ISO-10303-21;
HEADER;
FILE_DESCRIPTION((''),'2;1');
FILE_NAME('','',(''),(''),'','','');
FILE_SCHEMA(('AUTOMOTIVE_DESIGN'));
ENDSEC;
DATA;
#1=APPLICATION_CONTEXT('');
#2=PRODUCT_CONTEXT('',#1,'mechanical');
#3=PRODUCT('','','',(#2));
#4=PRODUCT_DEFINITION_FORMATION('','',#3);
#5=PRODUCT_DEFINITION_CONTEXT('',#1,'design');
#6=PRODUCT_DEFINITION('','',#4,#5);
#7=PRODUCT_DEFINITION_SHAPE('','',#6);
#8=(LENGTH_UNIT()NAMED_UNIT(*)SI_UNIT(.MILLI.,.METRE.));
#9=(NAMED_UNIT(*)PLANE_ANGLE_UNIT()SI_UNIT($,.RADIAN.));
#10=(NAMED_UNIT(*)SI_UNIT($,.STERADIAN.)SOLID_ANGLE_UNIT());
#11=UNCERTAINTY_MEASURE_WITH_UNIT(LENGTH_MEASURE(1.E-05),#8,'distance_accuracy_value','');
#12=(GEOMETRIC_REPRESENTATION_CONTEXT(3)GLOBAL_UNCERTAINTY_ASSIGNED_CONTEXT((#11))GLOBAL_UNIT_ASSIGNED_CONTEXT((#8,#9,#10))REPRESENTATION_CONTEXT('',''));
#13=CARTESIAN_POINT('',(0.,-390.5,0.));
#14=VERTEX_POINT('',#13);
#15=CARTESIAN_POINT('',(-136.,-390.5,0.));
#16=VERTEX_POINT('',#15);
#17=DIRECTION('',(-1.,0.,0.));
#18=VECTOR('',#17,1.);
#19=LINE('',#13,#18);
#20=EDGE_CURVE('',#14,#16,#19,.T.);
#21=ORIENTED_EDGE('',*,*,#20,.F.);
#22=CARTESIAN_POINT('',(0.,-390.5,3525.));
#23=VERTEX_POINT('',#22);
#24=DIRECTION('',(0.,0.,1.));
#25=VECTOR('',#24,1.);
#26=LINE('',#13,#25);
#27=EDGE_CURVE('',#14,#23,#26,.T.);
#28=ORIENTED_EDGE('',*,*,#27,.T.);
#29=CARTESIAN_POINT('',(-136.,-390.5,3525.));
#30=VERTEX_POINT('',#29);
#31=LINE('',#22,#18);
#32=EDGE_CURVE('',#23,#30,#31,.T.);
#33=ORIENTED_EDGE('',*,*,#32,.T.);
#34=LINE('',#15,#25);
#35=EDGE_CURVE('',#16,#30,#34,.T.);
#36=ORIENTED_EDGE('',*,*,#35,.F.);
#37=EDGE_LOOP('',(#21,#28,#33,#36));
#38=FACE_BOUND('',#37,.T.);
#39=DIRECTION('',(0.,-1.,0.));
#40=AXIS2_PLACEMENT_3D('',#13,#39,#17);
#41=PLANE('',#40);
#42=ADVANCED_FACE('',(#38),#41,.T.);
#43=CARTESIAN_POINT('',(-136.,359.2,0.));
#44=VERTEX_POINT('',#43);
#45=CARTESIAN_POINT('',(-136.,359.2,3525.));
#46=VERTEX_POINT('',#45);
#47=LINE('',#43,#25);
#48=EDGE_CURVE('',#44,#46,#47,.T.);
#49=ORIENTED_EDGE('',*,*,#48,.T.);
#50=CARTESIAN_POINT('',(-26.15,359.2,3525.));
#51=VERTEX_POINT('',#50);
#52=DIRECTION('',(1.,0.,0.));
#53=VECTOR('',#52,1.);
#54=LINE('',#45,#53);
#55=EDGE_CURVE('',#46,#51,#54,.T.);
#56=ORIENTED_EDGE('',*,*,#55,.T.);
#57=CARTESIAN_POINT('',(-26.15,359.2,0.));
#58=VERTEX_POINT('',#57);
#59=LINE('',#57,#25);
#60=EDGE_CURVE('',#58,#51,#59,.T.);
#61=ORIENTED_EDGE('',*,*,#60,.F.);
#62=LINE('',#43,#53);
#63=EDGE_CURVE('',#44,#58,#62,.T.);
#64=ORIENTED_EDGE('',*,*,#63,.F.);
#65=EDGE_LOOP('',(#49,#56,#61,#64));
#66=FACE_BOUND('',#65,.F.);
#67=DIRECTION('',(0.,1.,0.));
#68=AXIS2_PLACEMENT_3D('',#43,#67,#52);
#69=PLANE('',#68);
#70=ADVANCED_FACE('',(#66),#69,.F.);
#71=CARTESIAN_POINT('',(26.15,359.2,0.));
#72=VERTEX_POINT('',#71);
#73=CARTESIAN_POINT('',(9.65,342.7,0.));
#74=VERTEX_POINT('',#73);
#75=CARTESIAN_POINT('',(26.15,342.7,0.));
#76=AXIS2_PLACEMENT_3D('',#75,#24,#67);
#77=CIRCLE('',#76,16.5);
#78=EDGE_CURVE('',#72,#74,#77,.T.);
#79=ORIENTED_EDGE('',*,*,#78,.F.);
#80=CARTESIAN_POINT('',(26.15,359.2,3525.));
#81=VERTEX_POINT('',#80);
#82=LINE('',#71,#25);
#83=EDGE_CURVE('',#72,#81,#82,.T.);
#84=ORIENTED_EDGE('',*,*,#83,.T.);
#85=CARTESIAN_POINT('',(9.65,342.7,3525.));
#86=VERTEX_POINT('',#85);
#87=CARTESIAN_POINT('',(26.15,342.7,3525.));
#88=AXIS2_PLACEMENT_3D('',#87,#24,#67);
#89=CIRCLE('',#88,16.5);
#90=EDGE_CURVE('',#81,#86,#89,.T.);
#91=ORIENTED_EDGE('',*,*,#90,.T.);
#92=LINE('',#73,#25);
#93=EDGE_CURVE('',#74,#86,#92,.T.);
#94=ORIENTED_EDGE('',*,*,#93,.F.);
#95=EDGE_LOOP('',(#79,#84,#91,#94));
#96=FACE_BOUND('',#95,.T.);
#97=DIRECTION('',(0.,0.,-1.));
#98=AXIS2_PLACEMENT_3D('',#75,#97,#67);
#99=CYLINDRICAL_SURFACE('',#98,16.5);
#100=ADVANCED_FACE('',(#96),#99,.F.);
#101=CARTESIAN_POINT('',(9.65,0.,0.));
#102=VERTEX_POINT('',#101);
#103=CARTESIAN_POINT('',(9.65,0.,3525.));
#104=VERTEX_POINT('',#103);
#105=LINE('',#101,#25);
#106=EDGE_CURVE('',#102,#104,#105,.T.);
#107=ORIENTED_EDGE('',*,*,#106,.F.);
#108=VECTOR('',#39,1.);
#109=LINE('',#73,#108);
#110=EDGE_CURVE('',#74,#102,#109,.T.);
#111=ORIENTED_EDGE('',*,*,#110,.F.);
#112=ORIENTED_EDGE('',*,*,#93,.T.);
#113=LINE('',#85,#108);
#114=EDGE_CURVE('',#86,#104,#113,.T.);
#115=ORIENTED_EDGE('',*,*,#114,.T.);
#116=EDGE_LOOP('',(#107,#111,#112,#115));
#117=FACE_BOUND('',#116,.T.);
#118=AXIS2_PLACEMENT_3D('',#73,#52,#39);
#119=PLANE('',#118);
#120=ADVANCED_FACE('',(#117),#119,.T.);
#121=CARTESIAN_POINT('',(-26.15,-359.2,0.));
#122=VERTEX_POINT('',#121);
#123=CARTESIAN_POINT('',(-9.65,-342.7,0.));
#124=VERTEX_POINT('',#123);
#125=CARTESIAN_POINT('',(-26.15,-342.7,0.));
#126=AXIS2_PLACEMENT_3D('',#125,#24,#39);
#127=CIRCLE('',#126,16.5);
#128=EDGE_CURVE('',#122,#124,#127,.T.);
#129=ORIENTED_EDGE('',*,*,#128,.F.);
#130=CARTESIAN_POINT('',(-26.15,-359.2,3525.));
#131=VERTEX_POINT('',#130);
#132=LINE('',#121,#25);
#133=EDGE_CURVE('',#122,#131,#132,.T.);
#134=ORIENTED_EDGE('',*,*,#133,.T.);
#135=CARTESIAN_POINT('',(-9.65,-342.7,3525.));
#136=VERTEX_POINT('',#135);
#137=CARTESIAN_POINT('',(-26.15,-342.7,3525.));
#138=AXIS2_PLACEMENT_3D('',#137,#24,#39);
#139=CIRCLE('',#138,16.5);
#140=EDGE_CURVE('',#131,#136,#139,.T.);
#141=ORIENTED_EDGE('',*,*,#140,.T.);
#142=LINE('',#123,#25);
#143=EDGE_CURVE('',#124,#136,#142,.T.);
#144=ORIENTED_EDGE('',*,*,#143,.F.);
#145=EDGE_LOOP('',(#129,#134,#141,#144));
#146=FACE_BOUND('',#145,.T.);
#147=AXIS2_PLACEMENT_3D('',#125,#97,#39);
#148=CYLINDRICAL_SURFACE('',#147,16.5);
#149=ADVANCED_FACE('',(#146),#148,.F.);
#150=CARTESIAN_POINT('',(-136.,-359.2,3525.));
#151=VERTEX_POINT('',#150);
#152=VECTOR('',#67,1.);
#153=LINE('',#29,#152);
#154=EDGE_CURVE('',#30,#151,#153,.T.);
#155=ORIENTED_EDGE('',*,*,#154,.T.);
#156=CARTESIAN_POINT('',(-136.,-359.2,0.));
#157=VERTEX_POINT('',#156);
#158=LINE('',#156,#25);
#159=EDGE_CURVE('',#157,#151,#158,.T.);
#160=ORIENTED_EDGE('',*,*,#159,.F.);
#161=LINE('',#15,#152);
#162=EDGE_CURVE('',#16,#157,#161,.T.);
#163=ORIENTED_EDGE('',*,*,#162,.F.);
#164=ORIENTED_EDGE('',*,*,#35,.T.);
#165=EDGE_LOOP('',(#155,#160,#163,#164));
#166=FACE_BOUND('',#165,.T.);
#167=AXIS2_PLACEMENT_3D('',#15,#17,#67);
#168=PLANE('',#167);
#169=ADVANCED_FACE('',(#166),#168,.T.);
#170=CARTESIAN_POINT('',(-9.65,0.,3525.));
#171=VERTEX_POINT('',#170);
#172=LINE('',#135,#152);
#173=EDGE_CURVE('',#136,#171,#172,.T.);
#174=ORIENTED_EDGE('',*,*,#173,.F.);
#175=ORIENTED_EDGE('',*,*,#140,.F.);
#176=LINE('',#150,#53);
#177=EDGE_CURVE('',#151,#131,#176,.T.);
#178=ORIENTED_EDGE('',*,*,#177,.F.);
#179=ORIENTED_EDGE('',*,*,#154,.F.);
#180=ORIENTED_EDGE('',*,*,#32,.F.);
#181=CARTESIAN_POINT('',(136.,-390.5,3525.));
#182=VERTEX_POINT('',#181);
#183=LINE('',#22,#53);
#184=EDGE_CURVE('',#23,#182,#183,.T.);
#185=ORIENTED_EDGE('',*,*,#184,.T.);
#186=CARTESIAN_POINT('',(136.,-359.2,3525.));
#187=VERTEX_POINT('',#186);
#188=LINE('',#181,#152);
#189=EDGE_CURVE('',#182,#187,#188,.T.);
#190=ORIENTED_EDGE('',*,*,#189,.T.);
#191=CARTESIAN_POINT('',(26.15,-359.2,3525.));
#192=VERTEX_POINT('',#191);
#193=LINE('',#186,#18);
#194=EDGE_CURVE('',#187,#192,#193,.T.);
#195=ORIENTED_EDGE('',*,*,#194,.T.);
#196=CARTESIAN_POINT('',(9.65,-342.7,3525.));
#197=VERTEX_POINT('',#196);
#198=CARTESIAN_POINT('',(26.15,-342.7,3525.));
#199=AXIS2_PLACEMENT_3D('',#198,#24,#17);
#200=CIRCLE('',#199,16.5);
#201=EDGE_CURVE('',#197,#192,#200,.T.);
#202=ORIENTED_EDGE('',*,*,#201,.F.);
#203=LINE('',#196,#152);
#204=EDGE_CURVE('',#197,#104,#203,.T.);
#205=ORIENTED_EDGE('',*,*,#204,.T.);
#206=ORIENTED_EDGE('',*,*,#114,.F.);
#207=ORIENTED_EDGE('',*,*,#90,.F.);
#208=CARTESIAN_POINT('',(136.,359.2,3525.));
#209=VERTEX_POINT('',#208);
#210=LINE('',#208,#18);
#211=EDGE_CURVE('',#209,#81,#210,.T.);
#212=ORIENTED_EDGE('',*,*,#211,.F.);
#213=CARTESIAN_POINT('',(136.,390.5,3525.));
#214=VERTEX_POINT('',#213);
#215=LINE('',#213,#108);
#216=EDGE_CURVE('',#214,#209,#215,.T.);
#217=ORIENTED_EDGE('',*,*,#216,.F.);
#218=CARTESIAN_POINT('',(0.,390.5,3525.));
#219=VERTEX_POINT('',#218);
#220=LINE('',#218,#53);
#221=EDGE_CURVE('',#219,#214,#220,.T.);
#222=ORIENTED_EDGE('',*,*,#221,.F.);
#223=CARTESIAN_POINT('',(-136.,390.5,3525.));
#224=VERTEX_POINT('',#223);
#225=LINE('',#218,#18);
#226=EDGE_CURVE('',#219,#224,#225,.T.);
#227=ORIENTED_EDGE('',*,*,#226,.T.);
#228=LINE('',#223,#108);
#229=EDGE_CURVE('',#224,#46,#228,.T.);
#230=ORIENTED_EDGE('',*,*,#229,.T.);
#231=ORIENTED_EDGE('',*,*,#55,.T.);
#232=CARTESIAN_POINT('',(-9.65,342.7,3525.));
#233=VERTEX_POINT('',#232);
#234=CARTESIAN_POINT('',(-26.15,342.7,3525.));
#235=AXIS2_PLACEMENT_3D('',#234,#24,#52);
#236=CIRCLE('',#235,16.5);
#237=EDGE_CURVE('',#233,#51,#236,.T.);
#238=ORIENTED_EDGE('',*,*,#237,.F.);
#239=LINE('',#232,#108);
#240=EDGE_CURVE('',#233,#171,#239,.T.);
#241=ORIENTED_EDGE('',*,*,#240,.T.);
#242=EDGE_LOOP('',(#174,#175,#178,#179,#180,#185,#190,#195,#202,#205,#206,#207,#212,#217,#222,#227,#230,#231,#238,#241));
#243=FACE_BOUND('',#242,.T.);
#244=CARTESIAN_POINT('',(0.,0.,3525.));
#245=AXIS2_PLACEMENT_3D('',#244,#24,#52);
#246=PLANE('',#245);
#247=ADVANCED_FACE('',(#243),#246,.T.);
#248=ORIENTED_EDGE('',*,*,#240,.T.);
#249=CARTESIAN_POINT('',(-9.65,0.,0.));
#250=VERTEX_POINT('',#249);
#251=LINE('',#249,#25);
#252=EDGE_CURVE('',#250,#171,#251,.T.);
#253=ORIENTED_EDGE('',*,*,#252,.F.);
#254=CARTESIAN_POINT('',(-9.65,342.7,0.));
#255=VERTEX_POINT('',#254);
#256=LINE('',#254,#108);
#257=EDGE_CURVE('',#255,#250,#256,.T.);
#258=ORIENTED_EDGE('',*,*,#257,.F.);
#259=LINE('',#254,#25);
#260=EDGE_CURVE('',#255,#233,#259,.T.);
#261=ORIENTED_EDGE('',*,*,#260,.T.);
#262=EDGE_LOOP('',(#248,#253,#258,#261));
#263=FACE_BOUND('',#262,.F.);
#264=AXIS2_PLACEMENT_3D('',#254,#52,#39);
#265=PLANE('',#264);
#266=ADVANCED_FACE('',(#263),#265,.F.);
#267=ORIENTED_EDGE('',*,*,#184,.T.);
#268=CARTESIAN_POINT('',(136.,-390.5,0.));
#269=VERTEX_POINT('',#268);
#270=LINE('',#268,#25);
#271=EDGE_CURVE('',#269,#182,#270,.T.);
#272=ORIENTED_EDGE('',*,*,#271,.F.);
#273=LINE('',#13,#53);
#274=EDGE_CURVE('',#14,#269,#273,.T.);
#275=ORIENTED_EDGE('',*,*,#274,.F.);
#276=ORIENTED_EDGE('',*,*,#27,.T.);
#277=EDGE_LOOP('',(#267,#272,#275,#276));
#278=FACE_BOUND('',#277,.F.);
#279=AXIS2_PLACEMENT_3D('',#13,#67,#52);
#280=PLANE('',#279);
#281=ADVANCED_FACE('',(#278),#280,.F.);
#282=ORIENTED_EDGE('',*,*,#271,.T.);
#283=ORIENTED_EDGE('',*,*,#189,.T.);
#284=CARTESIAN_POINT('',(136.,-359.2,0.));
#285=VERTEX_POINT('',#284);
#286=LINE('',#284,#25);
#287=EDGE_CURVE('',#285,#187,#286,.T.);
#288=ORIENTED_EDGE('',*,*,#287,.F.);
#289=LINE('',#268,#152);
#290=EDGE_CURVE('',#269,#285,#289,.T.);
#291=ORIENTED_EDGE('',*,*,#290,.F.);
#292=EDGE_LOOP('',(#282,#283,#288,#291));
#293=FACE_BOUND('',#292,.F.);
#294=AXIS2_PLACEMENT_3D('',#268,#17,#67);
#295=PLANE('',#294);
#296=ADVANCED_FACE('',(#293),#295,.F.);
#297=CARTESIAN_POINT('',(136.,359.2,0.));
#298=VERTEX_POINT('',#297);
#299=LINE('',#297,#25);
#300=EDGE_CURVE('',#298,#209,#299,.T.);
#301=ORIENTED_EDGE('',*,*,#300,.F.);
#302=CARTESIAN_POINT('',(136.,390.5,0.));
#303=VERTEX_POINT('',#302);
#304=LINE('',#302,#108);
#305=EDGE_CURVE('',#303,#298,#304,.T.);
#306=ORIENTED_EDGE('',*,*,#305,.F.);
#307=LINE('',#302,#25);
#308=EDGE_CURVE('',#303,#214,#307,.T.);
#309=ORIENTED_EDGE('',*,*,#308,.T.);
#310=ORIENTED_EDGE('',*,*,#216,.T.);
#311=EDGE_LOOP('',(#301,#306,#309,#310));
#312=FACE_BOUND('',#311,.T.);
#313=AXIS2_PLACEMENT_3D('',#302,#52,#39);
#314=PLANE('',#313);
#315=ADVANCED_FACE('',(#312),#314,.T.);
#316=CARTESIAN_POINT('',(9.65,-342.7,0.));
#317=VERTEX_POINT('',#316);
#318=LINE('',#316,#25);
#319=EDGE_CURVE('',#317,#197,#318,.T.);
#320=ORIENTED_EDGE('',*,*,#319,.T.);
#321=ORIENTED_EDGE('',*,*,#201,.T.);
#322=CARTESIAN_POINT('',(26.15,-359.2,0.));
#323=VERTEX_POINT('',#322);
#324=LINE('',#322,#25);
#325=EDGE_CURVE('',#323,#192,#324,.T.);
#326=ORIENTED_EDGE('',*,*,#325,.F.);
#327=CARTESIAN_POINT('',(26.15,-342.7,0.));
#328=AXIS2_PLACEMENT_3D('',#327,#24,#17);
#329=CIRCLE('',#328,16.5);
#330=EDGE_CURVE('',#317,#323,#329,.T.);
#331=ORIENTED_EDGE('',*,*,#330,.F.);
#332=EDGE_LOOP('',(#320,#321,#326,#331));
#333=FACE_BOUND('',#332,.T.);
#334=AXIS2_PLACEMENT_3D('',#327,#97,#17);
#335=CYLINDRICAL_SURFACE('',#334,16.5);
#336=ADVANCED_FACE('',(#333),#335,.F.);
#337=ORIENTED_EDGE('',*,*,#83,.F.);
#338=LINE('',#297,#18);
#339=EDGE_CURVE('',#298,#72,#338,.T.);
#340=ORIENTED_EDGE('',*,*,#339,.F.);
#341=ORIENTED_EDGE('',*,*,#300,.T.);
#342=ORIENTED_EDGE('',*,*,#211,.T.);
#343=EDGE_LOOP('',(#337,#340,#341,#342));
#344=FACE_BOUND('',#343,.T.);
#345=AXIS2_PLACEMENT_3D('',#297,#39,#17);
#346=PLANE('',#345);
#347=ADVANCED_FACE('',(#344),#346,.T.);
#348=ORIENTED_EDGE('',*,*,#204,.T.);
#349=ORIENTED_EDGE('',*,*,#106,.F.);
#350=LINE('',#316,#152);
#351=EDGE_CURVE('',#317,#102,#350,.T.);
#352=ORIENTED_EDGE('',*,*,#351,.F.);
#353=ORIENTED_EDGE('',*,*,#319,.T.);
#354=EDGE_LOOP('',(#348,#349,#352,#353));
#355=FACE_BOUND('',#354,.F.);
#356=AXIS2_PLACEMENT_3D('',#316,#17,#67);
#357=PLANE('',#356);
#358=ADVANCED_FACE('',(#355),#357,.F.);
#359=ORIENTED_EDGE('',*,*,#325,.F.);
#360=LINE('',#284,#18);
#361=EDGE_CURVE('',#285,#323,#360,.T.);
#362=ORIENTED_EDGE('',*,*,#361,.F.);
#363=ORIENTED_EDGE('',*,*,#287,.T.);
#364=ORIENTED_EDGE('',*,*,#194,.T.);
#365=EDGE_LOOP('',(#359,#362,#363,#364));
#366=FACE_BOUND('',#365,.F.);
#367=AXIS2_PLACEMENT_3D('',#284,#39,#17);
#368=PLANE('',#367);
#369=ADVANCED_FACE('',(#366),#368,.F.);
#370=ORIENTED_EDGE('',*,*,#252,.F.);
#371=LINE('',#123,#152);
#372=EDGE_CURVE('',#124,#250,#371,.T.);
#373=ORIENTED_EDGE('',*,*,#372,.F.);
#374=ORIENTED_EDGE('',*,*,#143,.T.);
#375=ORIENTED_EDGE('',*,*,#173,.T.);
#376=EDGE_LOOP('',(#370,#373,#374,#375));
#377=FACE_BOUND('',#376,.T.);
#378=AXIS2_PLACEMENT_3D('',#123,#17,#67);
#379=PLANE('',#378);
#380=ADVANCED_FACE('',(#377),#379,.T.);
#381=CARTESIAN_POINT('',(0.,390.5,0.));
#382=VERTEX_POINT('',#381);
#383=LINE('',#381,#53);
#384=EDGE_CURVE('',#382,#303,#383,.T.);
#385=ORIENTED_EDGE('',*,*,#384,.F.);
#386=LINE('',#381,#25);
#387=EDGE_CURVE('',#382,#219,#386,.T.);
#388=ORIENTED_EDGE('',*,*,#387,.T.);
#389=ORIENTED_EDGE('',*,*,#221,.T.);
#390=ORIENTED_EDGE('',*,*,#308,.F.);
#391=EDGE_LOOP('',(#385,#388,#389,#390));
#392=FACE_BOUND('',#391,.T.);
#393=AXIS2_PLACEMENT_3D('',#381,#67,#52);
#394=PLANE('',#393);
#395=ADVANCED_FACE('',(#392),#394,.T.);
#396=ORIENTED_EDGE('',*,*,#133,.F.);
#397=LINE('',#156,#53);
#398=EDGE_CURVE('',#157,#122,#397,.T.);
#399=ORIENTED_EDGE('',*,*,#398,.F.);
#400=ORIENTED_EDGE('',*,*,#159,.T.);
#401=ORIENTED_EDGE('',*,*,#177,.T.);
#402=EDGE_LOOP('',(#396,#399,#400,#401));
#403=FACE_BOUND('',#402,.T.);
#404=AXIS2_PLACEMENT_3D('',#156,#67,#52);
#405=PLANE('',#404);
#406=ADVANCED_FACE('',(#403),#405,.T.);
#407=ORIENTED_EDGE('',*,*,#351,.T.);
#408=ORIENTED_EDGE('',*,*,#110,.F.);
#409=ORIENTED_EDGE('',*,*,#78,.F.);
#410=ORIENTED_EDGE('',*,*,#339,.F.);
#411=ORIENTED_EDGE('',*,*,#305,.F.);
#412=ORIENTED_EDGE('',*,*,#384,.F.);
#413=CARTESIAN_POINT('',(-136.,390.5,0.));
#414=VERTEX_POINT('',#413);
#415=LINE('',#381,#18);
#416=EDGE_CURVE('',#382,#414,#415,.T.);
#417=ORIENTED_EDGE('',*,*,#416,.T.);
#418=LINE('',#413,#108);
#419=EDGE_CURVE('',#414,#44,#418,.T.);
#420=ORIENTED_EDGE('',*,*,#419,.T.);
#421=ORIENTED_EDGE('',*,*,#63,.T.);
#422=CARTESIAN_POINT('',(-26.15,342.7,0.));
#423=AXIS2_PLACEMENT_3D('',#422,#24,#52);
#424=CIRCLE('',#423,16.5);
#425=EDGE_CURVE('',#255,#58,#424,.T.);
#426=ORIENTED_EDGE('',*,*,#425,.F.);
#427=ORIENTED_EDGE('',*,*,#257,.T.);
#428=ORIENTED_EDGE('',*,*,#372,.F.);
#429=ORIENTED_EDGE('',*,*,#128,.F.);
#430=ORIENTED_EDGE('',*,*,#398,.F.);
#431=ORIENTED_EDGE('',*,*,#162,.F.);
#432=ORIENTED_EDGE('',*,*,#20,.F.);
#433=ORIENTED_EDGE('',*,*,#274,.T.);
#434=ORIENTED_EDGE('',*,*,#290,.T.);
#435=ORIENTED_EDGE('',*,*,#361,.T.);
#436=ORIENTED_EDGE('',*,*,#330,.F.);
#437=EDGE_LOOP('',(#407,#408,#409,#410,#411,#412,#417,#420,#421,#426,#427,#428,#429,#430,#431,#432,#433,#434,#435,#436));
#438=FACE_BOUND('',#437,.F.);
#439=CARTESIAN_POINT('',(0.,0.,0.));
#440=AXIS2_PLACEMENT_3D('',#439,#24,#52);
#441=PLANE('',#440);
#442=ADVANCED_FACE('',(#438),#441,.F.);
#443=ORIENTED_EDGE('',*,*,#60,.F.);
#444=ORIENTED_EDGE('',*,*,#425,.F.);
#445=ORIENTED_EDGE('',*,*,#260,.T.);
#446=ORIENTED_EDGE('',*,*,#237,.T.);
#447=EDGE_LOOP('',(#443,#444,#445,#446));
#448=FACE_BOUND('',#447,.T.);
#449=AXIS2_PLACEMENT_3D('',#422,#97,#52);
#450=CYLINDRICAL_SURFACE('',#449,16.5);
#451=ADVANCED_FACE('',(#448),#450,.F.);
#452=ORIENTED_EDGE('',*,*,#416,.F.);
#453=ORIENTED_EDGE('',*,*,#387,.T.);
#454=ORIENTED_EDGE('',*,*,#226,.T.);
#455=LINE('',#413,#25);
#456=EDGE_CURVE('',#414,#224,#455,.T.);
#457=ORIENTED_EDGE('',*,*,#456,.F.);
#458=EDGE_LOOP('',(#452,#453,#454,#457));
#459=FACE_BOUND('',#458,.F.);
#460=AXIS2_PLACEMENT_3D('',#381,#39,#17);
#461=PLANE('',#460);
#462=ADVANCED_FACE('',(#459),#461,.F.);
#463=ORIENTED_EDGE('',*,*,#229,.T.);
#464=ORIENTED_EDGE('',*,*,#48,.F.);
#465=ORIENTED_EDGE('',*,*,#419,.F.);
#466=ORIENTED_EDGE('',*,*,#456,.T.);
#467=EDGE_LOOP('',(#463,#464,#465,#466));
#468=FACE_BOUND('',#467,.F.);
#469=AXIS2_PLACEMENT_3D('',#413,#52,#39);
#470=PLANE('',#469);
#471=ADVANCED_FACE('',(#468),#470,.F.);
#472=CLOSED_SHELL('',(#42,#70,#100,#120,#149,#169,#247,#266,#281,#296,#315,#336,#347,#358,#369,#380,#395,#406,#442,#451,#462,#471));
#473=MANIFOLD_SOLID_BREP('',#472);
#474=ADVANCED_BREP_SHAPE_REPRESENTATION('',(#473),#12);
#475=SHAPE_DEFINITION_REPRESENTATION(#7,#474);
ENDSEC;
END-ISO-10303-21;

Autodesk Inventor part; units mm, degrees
ref_plane "YZ Plane" through (0, 0, 0) normal (1, 0, 0) x (0, 1, 0)
ref_plane "Start plane" through (0, 0, 0) normal (0, 0, 1) x (1, 0, 0)
ref_plane "End plane" through (0, 0, 3525) normal (0, 0, 1) x (1, 0, 0)
sketch "Sketch" plane through (0, 0, 0) normal (0, 0, 1) x (1, 0, 0)
  line L0 (-136, -390.5) -> (-136, -359.2)
  line L1 (-136, -359.2) -> (-26.15, -359.2)
  line L2 (-9.65, -342.7) -> (-9.65, 0)
  line L3 (-9.65, 0) -> (0, 0) construction
  line L4 (0, 0) -> (0, -390.5) construction
  line L5 (0, -390.5) -> (-136, -390.5)
  line L6 (-60, 0) -> (80, 0) construction
  line L7 (0, -60) -> (0, 80) construction
  line L8 (136, -390.5) -> (136, -359.2)
  line L9 (136, -359.2) -> (26.15, -359.2)
  line L10 (9.65, -342.7) -> (9.65, 0)
  line L11 (9.65, 0) -> (0, 0) construction
  line L12 (0, -390.5) -> (136, -390.5)
  line L13 (-136, 390.5) -> (-136, 359.2)
  line L14 (-136, 359.2) -> (-26.15, 359.2)
  line L15 (-9.65, 342.7) -> (-9.65, 0)
  line L16 (0, 390.5) -> (-136, 390.5)
  line L17 (136, 390.5) -> (136, 359.2)
  line L18 (136, 359.2) -> (26.15, 359.2)
  line L19 (0, 390.5) -> (136, 390.5)
  line L20 (9.65, 342.7) -> (9.65, 0)
  arc A0 (-9.65, 342.7) -> (-26.15, 359.2) centre (-26.15, 342.7) ccw
  arc A1 (26.15, 359.2) -> (9.65, 342.7) centre (26.15, 342.7) ccw
  arc A2 (9.65, -342.7) -> (26.15, -359.2) centre (26.15, -342.7) ccw
  arc A3 (-26.15, -359.2) -> (-9.65, -342.7) centre (-26.15, -342.7) ccw
  line L21 (0, 108) -> (0, -88) construction
  line L22 (-88, 0) -> (108, 0) construction
  point P0 (-9.65, -359.2)
  point P1 (9.65, -359.2)
  point P2 (-9.65, 359.2)
  point P3 (9.65, 359.2)
  dimension "d1" = 390.5
  dimension "d2" = 31.3
  dimension "d3" = 136
  dimension "d4" = 9.65
  dimension "d10" = 16.5
extrude "Body" add sketch "Sketch" along normal up to surface (3525 mm away) from surface at 0
sketch "Sketch4" plane through (0, 0, 0) normal (0, 0, 1) x (1, 0, 0)
  line L0 (0, 0) -> (10, 0)
ref_plane "Work Plane3" through (0, 0, 0) normal (0, -1, 0) x (1, 0, 0)
sketch "Sketch5" plane through (0, 0, 0) normal (0, -1, 0) x (1, 0, 0)
  line L0 (-2, 0) -> (12, 0) projected
  line L1 (-2, 3525) -> (12, 3525) projected
  dimension "d14" = 3525
equation "\"d1\" = 0.5 * G_H"
equation "\"d2\" = G_T1"
equation "\"d3\" = 0.5 * G_W"
equation "\"d4\" = 0.5 * G_T"
equation "\"d10\" = G_IR"
equation "\"d5\" = G_L"
equation "\"G_W\" = 272"
equation "\"G_H\" = 781"
equation "\"G_T\" = 19.3"
equation "\"G_T1\" = 31.3"
equation "\"G_IR\" = 16.5"
equation "\"G_L\" = d14"
equation "\"G_OFFSET_START\" = 0"
equation "\"G_OFFSET_END\" = 0"
equation "\"d12\" = G_OFFSET_END + B_L"
equation "\"B_L\" = 3525"
properties part number "AS 3679-1990 - 760 UB - 244 - 3525" material "Steel, Mild"
